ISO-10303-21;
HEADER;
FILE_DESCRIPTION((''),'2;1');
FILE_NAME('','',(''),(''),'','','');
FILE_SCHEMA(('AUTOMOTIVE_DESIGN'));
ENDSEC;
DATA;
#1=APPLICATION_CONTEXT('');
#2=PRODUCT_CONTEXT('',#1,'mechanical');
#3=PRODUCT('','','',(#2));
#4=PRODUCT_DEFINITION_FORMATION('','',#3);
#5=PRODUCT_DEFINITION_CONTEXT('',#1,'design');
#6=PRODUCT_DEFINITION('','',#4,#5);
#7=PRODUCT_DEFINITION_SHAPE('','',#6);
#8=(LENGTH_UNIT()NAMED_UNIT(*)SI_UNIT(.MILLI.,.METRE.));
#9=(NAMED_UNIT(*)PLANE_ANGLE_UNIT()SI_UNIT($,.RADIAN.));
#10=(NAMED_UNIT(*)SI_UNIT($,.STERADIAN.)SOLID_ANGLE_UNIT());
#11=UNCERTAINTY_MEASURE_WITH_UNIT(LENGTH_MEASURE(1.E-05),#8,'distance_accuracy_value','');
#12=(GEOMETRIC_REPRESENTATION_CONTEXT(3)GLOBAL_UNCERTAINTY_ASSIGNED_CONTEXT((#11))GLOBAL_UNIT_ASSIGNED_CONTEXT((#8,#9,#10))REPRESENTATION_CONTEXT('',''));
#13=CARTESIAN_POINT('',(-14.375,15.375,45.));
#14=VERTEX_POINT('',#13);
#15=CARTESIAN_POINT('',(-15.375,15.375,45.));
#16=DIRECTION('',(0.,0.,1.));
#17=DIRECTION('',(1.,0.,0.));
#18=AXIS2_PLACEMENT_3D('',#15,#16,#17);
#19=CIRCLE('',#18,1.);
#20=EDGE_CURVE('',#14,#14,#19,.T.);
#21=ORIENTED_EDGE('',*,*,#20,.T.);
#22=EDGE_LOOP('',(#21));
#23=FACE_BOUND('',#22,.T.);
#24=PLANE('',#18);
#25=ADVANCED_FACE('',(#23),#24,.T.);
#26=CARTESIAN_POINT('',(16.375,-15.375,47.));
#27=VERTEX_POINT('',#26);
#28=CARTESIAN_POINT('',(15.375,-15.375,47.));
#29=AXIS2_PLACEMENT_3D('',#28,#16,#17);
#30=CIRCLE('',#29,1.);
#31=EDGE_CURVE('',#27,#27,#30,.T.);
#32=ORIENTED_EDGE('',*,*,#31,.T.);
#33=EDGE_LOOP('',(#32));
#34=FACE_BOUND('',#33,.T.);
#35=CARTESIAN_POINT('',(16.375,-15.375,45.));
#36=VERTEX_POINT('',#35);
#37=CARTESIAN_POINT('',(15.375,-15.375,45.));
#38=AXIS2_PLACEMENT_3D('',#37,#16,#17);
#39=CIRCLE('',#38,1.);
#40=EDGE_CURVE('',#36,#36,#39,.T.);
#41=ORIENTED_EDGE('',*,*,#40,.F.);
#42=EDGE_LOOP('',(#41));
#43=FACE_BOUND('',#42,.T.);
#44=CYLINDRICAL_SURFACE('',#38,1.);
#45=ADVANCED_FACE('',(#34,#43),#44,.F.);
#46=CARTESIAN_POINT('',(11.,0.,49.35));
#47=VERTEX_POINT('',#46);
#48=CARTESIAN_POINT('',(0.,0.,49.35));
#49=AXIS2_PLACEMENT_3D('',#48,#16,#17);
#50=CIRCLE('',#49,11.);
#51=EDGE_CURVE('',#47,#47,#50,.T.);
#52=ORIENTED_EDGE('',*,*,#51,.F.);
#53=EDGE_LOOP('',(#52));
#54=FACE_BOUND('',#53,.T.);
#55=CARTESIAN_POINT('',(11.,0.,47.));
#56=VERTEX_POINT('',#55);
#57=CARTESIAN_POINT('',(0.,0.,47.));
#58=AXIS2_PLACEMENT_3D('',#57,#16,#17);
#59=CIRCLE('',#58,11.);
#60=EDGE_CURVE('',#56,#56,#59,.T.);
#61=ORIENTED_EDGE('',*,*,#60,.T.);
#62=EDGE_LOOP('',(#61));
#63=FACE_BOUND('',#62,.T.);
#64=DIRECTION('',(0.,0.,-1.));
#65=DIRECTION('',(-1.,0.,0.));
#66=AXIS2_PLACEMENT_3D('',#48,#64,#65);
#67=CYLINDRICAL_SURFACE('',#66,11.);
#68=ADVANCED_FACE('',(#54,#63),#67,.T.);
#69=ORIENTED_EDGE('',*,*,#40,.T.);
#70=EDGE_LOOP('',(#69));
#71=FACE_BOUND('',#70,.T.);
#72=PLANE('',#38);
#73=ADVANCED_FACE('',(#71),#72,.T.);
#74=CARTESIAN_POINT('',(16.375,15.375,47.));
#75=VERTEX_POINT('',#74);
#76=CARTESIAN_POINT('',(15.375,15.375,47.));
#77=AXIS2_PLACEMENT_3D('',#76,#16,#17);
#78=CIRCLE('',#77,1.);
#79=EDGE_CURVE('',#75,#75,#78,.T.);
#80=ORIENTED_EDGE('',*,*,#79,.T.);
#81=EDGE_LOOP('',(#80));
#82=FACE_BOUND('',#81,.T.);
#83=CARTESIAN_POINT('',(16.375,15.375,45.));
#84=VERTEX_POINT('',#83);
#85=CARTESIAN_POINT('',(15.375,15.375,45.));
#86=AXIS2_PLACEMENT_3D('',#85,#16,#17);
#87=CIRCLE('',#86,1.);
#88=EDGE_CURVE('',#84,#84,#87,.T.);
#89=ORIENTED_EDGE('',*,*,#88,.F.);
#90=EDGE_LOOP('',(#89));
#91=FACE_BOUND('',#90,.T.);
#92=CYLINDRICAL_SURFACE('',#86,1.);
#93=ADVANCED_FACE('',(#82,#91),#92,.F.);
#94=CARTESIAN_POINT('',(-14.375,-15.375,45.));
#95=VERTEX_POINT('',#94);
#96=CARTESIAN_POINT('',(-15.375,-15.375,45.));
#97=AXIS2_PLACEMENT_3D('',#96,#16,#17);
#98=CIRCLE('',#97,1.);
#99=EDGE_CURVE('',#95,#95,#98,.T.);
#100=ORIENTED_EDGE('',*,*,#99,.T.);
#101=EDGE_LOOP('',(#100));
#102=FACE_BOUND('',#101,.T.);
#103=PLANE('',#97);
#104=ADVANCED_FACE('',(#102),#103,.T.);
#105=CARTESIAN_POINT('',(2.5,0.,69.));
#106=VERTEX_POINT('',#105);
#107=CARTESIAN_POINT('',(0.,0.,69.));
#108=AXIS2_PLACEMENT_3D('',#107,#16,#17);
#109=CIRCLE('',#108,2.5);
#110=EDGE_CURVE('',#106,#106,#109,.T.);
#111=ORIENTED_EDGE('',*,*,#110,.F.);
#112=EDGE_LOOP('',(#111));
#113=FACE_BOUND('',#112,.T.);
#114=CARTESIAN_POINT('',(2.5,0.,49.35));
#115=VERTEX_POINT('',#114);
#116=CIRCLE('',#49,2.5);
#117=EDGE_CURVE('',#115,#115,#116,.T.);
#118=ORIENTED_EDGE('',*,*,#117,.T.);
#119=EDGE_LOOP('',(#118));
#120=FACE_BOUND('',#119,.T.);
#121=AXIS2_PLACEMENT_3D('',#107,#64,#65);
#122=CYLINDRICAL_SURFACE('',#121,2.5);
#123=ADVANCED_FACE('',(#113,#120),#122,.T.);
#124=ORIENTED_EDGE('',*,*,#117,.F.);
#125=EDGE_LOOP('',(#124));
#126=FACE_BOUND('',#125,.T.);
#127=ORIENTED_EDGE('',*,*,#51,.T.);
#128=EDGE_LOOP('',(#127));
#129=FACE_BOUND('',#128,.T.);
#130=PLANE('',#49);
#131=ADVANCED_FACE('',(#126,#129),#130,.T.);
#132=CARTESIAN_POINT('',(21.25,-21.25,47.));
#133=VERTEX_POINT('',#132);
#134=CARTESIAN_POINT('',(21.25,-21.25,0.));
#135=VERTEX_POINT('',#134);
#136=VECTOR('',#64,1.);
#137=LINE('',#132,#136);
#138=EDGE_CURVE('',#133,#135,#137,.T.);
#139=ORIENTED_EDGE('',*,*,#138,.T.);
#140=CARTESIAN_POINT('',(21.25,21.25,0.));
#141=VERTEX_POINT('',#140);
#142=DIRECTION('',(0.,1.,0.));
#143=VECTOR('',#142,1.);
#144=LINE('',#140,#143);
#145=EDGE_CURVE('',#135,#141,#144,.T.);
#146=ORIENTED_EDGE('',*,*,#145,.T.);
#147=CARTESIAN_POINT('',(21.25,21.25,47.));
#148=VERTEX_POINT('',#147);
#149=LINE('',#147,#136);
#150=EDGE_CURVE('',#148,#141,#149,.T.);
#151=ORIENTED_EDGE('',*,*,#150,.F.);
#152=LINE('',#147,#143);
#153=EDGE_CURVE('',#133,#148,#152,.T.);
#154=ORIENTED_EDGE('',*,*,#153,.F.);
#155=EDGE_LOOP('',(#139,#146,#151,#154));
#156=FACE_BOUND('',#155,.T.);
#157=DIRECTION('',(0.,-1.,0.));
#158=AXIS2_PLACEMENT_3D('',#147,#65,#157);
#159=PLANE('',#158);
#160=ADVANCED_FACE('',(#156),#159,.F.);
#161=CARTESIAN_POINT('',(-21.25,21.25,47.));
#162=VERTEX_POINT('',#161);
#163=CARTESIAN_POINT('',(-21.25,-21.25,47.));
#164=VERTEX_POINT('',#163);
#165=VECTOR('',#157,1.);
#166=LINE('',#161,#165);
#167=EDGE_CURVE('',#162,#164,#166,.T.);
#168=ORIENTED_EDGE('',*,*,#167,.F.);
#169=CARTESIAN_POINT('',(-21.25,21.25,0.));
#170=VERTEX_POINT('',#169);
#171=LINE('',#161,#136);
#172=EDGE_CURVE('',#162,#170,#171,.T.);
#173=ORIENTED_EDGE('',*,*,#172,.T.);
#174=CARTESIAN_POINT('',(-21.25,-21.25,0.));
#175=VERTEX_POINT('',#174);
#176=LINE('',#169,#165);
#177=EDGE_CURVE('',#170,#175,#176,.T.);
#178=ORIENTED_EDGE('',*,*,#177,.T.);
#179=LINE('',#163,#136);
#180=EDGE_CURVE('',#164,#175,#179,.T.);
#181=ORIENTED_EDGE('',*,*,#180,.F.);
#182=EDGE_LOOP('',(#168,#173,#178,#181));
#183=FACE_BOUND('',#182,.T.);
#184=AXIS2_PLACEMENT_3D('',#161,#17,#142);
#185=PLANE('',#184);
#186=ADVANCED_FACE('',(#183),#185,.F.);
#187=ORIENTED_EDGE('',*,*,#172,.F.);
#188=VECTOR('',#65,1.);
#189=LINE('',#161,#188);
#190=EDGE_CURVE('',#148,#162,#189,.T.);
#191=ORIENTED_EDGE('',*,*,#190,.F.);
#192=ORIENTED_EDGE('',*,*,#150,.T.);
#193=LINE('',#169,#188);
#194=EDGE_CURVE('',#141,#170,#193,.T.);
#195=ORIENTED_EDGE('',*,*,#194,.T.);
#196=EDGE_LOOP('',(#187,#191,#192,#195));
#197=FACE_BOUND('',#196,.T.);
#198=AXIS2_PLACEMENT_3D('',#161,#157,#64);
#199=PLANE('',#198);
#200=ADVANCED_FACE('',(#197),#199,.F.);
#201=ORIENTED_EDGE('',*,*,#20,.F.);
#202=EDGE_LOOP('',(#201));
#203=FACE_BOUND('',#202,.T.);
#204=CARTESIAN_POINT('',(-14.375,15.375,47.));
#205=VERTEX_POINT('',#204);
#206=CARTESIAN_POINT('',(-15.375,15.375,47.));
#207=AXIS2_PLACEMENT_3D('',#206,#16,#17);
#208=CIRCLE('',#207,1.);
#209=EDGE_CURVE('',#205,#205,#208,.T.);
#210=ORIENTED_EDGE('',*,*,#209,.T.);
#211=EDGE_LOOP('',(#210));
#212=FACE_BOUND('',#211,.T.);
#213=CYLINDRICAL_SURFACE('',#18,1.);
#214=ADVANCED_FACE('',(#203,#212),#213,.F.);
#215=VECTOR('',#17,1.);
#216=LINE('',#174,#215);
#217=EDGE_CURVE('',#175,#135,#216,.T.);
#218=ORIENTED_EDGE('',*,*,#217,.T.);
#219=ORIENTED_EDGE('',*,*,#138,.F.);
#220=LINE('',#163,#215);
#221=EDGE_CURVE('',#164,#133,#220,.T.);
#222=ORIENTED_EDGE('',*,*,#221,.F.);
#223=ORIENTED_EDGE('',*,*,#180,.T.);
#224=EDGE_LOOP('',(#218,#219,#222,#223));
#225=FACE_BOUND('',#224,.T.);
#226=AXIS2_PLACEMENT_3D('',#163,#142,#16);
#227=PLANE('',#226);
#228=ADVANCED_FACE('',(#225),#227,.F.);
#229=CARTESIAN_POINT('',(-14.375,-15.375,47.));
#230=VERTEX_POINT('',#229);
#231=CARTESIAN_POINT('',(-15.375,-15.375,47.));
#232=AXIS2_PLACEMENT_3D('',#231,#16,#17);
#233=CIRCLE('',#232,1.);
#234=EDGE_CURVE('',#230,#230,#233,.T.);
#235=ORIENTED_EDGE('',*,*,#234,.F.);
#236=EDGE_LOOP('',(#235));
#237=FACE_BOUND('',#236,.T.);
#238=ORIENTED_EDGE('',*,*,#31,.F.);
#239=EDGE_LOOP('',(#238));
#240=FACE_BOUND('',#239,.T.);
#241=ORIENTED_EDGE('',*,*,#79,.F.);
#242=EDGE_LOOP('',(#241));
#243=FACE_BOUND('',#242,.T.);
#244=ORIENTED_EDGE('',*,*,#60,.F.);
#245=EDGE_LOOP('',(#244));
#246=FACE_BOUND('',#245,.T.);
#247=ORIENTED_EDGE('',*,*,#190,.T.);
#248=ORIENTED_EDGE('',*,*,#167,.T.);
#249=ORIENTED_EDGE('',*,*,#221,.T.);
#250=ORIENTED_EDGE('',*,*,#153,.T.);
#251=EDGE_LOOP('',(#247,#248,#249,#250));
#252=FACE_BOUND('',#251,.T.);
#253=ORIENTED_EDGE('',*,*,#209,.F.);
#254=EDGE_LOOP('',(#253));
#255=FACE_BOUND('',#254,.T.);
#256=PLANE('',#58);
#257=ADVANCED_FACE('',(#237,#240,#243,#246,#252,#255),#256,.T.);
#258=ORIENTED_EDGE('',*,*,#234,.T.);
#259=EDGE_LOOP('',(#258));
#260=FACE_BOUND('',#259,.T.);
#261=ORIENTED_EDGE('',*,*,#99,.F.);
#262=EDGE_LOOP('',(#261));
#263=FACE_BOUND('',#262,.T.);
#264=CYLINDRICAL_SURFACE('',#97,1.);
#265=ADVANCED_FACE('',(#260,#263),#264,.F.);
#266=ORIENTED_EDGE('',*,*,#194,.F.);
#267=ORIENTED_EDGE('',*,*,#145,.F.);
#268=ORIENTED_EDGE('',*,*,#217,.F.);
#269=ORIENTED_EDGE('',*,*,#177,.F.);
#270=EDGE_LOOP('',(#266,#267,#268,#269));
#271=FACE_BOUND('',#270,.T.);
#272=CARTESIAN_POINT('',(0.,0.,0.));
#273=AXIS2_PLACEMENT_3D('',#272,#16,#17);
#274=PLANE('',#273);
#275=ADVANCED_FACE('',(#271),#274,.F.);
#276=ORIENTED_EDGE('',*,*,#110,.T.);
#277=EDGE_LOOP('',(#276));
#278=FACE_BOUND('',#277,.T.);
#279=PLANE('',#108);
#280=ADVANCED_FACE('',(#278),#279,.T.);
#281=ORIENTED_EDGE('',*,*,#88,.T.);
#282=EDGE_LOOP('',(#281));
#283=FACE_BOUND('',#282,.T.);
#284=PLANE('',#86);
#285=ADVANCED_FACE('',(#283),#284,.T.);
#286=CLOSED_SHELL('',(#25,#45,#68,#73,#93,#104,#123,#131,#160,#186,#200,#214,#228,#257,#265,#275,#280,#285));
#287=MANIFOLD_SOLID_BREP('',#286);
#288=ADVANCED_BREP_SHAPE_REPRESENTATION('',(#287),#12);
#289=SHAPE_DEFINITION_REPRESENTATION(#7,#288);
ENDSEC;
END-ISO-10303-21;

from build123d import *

# Parameters (mm, degrees)
SKETCH1_W           = 42.5
SKETCH1_H           = 42.5
BOSS_EXTRUDE1_DEPTH = 47
SKETCH2_R           = 1
CUT_EXTRUDE1_DEPTH  = 2
SKETCH3_R           = 2.5
BOSS_EXTRUDE2_DEPTH = 22
SKETCH4_R           = 11
BOSS_EXTRUDE3_DEPTH = 2.35


with BuildPart() as part:
    # Sketch1 → Boss-Extrude1 (new body)
    with BuildSketch(Plane.XY):
        Rectangle(SKETCH1_W, SKETCH1_H)
    extrude(amount=BOSS_EXTRUDE1_DEPTH)

    # Sketch2 → Cut-Extrude1 (cut)
    with BuildSketch(Plane.XY.offset(47)):
        with Locations((-15.375, 15.375)):
            Circle(SKETCH2_R)
        with Locations((15.375, 15.375)):
            Circle(SKETCH2_R)
        with Locations((15.375, -15.375)):
            Circle(SKETCH2_R)
        with Locations((-15.375, -15.375)):
            Circle(SKETCH2_R)
    extrude(amount=-CUT_EXTRUDE1_DEPTH, mode=Mode.SUBTRACT)

    # Sketch3 → Boss-Extrude2 (add)
    with BuildSketch(Plane.XY.offset(47)):
        Circle(SKETCH3_R)
    extrude(amount=BOSS_EXTRUDE2_DEPTH)

    # Sketch4 → Boss-Extrude3 (add)
    with BuildSketch(Plane.XY.offset(47)):
        Circle(SKETCH4_R)
    extrude(amount=BOSS_EXTRUDE3_DEPTH)


solid = part.part
